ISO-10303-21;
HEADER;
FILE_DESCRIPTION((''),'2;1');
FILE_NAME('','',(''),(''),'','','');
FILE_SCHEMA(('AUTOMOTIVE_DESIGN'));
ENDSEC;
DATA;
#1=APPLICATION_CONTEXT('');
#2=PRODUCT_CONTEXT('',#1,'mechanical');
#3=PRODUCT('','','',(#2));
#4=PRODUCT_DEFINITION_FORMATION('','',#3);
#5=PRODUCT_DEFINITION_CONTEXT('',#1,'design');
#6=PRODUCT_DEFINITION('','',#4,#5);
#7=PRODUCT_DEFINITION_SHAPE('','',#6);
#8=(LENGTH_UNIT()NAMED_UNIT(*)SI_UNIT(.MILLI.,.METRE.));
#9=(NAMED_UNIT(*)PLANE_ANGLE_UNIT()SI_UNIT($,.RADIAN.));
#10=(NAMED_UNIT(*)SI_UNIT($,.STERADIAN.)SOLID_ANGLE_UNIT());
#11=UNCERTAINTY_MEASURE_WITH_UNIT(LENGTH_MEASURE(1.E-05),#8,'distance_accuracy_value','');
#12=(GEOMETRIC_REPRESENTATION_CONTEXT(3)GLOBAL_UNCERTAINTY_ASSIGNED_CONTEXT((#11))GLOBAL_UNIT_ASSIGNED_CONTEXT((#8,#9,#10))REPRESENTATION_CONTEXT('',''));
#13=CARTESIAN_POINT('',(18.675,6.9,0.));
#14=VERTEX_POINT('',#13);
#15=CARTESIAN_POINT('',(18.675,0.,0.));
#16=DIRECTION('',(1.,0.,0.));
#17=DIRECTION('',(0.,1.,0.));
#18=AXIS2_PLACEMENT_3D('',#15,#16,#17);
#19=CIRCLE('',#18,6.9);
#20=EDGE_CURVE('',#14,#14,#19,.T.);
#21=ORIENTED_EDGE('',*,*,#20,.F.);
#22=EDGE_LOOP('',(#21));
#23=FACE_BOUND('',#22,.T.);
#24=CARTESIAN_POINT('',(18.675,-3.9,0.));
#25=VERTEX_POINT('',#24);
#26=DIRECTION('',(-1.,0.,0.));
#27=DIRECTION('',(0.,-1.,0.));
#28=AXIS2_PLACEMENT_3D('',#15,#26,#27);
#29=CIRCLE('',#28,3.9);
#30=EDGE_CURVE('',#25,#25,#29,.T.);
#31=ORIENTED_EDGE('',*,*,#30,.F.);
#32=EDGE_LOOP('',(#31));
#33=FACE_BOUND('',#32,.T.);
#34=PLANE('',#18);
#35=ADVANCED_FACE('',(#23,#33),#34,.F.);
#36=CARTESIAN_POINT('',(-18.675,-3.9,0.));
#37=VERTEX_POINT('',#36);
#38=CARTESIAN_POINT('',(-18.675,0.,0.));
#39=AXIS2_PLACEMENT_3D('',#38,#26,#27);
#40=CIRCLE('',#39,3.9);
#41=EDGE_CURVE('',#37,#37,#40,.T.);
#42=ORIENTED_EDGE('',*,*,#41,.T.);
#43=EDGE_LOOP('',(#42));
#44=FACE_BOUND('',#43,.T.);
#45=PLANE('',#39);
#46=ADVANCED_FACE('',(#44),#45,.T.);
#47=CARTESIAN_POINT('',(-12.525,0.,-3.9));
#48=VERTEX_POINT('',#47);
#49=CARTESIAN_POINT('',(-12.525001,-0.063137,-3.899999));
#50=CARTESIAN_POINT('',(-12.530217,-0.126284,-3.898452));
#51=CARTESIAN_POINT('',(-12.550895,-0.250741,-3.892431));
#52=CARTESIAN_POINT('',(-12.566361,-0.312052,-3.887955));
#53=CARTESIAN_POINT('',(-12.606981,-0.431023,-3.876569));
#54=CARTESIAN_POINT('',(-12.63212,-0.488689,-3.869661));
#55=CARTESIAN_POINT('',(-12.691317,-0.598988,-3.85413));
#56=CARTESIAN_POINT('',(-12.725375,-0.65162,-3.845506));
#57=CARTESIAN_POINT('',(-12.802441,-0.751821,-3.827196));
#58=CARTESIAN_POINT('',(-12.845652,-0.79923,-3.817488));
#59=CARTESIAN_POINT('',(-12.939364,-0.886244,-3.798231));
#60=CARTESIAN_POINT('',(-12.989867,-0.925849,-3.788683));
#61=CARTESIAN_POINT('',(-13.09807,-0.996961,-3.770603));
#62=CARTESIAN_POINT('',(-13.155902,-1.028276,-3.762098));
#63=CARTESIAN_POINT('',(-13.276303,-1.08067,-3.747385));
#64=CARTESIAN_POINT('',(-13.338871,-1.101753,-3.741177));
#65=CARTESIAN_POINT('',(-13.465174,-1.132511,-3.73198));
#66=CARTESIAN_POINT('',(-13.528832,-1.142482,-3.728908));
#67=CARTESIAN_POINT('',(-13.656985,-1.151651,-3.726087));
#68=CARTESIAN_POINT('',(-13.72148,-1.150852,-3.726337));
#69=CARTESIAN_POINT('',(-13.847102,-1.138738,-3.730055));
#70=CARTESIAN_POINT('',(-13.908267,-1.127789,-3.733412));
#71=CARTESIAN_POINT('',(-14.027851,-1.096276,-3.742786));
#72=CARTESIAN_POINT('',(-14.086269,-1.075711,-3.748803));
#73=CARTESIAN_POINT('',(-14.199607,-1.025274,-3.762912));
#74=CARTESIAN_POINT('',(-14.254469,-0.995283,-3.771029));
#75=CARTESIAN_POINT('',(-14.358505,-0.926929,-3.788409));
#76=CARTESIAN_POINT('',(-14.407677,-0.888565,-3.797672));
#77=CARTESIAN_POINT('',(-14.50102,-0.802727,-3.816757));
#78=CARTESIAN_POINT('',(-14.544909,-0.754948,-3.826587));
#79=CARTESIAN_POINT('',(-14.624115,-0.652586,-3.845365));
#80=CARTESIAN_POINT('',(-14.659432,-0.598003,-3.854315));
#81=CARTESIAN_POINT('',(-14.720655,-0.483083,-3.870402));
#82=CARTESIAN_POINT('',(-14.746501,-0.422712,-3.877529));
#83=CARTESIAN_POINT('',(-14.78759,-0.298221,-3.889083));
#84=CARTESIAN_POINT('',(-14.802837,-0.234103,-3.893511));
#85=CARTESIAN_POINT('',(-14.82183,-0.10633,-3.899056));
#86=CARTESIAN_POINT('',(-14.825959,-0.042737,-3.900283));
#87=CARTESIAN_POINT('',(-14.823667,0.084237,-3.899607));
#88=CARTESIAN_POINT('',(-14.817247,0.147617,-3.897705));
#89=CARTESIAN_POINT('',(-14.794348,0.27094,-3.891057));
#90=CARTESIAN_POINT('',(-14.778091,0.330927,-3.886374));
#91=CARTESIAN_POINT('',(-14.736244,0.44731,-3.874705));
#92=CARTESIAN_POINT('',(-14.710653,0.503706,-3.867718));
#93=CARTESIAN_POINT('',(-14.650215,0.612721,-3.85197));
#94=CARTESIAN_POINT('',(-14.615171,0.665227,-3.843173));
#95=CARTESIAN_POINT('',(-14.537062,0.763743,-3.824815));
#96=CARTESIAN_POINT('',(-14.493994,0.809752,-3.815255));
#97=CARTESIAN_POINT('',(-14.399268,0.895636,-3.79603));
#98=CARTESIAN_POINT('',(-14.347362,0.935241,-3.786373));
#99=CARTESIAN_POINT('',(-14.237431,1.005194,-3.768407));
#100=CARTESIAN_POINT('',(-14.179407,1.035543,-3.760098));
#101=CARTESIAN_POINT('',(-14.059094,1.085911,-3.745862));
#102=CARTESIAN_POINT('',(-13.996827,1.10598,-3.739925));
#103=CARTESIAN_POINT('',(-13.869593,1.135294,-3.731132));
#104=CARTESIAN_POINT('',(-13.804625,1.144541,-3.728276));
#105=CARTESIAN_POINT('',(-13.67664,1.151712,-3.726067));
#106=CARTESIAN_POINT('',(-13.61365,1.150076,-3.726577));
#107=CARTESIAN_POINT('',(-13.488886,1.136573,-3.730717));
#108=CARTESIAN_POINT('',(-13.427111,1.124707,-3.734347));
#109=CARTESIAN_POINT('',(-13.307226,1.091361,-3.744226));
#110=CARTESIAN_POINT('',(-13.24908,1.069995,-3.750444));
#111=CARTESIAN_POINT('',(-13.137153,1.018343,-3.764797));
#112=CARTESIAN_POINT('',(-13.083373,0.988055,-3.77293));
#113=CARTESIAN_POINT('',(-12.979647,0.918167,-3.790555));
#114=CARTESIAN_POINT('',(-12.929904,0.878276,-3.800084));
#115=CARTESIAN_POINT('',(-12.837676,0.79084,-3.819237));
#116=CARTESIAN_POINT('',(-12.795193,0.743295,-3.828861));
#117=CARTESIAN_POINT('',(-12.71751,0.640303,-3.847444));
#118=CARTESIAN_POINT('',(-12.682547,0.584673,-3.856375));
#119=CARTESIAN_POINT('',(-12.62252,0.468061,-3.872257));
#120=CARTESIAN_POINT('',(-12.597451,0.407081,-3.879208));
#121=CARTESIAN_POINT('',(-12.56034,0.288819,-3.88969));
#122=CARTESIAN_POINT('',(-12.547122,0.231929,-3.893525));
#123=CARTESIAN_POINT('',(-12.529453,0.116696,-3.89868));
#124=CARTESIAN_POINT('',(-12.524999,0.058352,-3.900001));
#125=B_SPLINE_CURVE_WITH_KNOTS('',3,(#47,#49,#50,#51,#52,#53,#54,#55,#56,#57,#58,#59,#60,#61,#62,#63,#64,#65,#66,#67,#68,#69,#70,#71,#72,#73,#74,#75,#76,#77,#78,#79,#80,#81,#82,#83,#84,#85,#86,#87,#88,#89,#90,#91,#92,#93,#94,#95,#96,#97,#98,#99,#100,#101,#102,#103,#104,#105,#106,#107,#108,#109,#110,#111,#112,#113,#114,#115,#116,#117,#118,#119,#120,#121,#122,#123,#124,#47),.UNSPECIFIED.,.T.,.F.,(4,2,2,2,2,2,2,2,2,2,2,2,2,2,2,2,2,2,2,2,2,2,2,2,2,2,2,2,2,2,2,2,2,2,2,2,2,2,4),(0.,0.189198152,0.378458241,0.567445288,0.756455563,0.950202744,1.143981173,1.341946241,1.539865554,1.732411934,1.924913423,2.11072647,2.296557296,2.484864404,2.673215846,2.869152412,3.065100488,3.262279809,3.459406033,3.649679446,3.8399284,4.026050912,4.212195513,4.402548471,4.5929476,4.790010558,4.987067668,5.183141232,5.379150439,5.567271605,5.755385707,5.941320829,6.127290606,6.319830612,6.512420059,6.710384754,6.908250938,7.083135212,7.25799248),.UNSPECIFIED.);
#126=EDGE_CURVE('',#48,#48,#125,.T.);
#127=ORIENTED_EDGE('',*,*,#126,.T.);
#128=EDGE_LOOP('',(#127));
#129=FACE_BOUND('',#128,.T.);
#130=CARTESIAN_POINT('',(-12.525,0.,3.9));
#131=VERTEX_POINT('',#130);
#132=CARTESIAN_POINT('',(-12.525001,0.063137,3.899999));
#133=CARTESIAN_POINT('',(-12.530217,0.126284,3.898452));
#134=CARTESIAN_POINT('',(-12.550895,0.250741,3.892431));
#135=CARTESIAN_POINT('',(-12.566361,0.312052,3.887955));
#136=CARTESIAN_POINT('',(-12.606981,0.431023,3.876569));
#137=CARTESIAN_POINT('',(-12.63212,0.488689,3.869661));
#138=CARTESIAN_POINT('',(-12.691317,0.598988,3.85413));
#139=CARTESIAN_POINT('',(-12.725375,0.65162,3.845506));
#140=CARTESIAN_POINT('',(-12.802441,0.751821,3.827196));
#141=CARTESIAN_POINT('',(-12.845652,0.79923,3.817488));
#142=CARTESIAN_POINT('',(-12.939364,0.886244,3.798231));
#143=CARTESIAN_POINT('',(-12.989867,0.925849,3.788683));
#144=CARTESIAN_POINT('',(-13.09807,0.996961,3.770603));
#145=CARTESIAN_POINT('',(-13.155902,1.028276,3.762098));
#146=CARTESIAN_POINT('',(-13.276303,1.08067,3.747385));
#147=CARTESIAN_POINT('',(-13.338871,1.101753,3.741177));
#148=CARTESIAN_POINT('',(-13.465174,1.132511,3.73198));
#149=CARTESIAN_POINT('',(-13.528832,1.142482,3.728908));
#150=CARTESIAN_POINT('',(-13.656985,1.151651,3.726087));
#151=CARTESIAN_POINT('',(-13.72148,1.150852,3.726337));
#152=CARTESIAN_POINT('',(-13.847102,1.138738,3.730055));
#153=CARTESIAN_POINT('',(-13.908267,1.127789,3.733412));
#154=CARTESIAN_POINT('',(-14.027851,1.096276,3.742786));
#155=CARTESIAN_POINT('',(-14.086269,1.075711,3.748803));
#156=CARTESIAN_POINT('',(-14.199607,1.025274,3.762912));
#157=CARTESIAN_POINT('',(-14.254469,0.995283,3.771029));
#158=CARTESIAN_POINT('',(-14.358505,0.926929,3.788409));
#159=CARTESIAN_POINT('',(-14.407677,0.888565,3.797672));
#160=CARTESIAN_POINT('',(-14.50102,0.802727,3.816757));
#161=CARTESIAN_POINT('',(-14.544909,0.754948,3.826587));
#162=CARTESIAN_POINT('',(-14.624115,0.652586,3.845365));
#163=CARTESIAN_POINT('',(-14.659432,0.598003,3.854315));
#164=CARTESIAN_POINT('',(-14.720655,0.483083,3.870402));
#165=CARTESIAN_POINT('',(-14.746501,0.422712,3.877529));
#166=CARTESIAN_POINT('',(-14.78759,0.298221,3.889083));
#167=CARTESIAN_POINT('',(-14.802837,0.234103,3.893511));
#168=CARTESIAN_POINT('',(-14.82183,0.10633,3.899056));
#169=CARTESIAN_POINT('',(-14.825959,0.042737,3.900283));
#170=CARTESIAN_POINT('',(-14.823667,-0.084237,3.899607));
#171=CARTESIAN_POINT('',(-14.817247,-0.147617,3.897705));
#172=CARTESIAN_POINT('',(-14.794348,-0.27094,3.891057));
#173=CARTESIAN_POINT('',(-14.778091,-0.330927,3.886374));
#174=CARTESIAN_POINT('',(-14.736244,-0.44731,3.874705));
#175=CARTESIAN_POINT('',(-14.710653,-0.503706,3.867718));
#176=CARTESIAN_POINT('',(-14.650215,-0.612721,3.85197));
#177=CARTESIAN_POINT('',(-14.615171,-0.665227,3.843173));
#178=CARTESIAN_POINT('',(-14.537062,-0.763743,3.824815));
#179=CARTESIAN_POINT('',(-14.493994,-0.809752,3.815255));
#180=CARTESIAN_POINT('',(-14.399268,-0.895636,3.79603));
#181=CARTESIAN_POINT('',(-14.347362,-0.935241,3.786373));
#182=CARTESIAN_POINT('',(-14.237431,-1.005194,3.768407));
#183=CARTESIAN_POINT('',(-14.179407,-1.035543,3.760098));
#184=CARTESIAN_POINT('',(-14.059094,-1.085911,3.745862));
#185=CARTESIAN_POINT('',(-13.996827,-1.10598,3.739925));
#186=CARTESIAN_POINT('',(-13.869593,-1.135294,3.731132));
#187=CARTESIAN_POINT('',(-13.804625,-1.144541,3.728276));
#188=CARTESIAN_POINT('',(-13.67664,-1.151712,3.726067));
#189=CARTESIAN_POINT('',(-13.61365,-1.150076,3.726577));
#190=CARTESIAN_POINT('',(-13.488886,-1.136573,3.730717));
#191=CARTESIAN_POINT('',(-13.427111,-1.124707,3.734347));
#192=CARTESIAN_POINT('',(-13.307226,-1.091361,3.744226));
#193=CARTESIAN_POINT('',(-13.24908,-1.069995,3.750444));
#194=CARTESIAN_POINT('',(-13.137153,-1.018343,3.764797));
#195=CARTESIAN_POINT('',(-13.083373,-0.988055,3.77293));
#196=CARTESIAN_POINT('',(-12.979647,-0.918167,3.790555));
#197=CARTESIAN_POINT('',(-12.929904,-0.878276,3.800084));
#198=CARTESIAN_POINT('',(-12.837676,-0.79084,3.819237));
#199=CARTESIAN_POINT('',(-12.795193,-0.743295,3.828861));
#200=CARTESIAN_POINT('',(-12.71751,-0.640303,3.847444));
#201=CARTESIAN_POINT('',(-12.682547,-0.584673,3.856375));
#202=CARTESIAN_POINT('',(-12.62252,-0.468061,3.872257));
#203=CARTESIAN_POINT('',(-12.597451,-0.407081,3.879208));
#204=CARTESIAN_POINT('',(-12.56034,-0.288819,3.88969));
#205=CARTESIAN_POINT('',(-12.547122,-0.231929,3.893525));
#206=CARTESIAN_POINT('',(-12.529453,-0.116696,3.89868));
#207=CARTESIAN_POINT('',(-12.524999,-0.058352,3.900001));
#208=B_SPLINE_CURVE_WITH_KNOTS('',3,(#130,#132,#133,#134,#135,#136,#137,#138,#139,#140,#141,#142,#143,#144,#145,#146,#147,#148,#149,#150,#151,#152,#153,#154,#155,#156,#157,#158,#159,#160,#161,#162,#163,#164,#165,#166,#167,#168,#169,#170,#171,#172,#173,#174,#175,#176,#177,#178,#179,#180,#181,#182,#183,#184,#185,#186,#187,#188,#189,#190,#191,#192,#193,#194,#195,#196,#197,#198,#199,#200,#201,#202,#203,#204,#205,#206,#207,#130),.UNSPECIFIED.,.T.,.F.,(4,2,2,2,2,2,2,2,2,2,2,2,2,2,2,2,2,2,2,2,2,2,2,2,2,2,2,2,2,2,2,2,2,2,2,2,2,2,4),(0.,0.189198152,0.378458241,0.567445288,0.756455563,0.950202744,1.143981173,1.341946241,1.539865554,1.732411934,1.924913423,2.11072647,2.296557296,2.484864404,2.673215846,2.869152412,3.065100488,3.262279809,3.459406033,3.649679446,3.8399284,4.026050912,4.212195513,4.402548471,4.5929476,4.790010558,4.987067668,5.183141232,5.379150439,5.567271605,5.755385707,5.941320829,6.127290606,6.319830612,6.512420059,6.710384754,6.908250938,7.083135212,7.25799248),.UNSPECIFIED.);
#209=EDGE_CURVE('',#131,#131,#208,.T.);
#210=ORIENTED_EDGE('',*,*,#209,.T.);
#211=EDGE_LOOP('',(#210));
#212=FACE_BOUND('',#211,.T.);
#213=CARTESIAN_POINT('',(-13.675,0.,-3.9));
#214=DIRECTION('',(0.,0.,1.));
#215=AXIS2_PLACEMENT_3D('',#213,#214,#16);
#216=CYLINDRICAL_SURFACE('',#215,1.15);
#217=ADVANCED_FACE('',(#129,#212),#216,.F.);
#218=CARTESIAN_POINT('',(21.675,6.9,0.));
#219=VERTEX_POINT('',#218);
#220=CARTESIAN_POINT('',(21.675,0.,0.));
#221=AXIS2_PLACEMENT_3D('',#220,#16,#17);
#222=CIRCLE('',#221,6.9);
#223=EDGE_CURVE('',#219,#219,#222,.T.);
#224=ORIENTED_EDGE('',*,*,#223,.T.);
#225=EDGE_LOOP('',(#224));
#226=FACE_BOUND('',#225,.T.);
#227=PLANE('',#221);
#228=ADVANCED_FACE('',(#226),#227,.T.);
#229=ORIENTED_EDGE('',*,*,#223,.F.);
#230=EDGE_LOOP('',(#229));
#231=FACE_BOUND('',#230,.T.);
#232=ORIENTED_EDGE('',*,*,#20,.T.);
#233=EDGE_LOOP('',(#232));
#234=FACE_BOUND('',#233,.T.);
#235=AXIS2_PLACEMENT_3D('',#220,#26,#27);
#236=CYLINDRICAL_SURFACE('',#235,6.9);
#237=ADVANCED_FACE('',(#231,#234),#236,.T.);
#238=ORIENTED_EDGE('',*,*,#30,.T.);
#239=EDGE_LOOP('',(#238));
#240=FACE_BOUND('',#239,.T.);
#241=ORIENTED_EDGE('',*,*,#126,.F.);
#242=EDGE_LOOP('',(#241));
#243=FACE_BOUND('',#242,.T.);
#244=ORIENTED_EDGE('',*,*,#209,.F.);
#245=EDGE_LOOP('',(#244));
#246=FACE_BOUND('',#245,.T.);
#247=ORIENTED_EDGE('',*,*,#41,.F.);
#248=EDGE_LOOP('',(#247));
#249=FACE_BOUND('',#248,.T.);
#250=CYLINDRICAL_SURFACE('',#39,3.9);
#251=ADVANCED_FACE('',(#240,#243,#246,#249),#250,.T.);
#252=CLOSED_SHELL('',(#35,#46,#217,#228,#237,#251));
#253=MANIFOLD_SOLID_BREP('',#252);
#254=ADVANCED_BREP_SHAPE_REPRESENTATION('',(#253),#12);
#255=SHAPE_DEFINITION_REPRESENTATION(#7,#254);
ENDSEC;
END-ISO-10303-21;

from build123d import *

# Parameters (mm, degrees)
SKETCH2_3_R             = 1.15
CUT_EXTRUDE1_DEPTH      = 4.9
CUT_EXTRUDE1_DEPTH_BACK = 4.9
SKETCH3_R               = 6.9
BOSS_EXTRUDE1_DEPTH     = 3


with BuildPart() as part:
    # Sketch2 → Revolve2 (revolve)
    with BuildSketch(Plane.XY):
        with BuildLine():
            Line((18.675, 0), (-12.525, 0))
            ThreePointArc((-12.525, 0), (-13.675, -1.15), (-14.825, 0))
            Line((-14.825, 0), (-18.675, 0))
            Line((-18.675, 0), (-18.675, -3.9))
            Line((-18.675, -3.9), (18.675, -3.9))
            Line((18.675, -3.9), (18.675, 0))
        make_face()
    revolve(axis=Axis((-18.675, 0, 0), (1, 0, 0)))

    # Sketch2<3> → Cut-Extrude1 (cut, two sides)
    with BuildSketch(Plane.XY) as cut_extrude1_sk:
        with Locations((-13.675, 0)):
            Circle(SKETCH2_3_R)
    extrude(amount=CUT_EXTRUDE1_DEPTH, mode=Mode.SUBTRACT)
    extrude(cut_extrude1_sk.sketch, amount=-CUT_EXTRUDE1_DEPTH_BACK, mode=Mode.SUBTRACT)

    # Sketch3 → Boss-Extrude1 (add)
    with BuildSketch(Plane(origin=(18.675, 0, 0), x_dir=(0, 0, -1), z_dir=(1, 0, 0))):
        Circle(SKETCH3_R)
    extrude(amount=BOSS_EXTRUDE1_DEPTH)


solid = part.part
